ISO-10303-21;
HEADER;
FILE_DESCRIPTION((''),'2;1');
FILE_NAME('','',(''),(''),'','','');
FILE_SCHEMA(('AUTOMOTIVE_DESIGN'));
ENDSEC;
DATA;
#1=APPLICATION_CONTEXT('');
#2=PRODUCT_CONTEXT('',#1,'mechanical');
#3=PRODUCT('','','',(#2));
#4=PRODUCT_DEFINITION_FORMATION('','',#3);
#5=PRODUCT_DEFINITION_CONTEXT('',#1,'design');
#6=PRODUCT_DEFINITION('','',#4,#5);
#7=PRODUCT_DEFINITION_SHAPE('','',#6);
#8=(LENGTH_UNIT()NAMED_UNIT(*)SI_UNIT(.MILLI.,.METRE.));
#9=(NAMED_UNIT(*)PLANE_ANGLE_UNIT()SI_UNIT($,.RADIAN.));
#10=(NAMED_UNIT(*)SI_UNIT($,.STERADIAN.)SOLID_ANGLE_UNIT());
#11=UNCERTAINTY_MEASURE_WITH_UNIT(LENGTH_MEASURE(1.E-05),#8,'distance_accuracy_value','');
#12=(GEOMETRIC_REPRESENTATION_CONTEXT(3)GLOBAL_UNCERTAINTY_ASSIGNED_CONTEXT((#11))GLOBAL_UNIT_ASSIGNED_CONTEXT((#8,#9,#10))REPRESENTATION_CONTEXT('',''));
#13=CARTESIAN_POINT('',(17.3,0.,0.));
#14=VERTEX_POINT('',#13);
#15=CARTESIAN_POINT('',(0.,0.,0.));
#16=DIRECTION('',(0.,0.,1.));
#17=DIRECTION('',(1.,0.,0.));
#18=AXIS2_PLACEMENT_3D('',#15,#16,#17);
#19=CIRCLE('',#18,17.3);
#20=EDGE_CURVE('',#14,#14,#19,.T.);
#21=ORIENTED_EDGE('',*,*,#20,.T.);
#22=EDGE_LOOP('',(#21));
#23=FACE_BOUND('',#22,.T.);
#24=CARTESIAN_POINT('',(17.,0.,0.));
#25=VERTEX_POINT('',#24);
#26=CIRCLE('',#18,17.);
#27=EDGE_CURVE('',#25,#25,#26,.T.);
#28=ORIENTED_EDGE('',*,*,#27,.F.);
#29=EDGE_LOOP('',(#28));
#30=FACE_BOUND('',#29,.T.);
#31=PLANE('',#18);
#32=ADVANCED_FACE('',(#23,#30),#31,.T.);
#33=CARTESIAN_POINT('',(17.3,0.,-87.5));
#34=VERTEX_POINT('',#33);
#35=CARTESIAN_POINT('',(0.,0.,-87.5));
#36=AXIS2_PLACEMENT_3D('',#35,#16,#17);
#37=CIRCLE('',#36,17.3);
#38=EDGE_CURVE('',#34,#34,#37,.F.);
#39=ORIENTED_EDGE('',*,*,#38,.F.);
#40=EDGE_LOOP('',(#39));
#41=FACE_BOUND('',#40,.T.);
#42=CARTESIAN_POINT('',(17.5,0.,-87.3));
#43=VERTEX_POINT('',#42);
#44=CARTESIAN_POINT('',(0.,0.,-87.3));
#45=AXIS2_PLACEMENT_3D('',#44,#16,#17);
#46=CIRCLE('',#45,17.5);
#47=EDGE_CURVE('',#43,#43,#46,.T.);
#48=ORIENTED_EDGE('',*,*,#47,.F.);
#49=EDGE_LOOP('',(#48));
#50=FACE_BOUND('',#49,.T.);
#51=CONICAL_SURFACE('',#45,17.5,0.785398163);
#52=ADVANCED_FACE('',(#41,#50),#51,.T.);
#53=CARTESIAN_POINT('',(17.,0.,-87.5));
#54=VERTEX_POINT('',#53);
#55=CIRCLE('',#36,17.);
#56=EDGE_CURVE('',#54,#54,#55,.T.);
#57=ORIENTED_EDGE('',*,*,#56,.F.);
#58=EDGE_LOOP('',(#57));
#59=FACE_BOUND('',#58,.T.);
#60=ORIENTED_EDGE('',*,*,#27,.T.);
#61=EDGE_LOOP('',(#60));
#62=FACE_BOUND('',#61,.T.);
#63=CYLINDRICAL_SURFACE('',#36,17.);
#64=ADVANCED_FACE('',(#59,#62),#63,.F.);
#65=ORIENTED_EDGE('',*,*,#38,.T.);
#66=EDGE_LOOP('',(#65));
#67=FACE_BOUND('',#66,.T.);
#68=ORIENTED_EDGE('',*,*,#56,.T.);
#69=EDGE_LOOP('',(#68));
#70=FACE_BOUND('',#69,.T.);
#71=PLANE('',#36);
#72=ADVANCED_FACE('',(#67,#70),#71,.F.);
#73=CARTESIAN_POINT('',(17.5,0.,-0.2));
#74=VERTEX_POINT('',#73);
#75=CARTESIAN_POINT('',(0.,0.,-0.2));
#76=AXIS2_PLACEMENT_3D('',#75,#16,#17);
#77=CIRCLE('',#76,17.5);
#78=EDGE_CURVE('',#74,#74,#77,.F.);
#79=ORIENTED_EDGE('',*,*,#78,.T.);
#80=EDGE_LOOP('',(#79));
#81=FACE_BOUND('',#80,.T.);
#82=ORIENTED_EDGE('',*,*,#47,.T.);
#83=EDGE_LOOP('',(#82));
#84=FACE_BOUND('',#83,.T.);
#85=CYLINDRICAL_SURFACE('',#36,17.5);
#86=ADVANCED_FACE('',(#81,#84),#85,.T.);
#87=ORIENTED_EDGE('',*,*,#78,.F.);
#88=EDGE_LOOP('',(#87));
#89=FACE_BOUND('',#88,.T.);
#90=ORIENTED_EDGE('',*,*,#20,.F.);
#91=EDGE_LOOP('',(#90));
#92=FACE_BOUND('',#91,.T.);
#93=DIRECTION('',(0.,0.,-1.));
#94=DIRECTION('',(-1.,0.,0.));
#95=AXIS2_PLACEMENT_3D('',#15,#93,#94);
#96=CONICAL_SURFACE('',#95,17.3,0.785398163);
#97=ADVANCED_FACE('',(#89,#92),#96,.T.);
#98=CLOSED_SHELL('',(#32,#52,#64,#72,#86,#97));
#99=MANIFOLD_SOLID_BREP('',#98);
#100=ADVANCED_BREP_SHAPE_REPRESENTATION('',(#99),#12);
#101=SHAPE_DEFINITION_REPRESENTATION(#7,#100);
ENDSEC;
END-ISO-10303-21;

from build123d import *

# Parameters (mm, degrees)
SKETCH1_R           = 17.5
SKETCH1_R_2         = 17
BOSS_EXTRUDE1_DEPTH = 87.5
CHAMFER1_SIZE       = 0.2


with BuildPart() as part:
    # Sketch1 → Boss-Extrude1 (new body)
    with BuildSketch(Plane.XY):
        Circle(SKETCH1_R)
        Circle(SKETCH1_R_2, mode=Mode.SUBTRACT)
    extrude(amount=-BOSS_EXTRUDE1_DEPTH)

    # Chamfer1
    chamfer1_edges = [part.edges().sort_by_distance(p)[0] for p in [
        (-17.5, 0, 0),
        (-17.5, 0, -87.5),
    ]]
    chamfer(chamfer1_edges, length=CHAMFER1_SIZE)


solid = part.part
